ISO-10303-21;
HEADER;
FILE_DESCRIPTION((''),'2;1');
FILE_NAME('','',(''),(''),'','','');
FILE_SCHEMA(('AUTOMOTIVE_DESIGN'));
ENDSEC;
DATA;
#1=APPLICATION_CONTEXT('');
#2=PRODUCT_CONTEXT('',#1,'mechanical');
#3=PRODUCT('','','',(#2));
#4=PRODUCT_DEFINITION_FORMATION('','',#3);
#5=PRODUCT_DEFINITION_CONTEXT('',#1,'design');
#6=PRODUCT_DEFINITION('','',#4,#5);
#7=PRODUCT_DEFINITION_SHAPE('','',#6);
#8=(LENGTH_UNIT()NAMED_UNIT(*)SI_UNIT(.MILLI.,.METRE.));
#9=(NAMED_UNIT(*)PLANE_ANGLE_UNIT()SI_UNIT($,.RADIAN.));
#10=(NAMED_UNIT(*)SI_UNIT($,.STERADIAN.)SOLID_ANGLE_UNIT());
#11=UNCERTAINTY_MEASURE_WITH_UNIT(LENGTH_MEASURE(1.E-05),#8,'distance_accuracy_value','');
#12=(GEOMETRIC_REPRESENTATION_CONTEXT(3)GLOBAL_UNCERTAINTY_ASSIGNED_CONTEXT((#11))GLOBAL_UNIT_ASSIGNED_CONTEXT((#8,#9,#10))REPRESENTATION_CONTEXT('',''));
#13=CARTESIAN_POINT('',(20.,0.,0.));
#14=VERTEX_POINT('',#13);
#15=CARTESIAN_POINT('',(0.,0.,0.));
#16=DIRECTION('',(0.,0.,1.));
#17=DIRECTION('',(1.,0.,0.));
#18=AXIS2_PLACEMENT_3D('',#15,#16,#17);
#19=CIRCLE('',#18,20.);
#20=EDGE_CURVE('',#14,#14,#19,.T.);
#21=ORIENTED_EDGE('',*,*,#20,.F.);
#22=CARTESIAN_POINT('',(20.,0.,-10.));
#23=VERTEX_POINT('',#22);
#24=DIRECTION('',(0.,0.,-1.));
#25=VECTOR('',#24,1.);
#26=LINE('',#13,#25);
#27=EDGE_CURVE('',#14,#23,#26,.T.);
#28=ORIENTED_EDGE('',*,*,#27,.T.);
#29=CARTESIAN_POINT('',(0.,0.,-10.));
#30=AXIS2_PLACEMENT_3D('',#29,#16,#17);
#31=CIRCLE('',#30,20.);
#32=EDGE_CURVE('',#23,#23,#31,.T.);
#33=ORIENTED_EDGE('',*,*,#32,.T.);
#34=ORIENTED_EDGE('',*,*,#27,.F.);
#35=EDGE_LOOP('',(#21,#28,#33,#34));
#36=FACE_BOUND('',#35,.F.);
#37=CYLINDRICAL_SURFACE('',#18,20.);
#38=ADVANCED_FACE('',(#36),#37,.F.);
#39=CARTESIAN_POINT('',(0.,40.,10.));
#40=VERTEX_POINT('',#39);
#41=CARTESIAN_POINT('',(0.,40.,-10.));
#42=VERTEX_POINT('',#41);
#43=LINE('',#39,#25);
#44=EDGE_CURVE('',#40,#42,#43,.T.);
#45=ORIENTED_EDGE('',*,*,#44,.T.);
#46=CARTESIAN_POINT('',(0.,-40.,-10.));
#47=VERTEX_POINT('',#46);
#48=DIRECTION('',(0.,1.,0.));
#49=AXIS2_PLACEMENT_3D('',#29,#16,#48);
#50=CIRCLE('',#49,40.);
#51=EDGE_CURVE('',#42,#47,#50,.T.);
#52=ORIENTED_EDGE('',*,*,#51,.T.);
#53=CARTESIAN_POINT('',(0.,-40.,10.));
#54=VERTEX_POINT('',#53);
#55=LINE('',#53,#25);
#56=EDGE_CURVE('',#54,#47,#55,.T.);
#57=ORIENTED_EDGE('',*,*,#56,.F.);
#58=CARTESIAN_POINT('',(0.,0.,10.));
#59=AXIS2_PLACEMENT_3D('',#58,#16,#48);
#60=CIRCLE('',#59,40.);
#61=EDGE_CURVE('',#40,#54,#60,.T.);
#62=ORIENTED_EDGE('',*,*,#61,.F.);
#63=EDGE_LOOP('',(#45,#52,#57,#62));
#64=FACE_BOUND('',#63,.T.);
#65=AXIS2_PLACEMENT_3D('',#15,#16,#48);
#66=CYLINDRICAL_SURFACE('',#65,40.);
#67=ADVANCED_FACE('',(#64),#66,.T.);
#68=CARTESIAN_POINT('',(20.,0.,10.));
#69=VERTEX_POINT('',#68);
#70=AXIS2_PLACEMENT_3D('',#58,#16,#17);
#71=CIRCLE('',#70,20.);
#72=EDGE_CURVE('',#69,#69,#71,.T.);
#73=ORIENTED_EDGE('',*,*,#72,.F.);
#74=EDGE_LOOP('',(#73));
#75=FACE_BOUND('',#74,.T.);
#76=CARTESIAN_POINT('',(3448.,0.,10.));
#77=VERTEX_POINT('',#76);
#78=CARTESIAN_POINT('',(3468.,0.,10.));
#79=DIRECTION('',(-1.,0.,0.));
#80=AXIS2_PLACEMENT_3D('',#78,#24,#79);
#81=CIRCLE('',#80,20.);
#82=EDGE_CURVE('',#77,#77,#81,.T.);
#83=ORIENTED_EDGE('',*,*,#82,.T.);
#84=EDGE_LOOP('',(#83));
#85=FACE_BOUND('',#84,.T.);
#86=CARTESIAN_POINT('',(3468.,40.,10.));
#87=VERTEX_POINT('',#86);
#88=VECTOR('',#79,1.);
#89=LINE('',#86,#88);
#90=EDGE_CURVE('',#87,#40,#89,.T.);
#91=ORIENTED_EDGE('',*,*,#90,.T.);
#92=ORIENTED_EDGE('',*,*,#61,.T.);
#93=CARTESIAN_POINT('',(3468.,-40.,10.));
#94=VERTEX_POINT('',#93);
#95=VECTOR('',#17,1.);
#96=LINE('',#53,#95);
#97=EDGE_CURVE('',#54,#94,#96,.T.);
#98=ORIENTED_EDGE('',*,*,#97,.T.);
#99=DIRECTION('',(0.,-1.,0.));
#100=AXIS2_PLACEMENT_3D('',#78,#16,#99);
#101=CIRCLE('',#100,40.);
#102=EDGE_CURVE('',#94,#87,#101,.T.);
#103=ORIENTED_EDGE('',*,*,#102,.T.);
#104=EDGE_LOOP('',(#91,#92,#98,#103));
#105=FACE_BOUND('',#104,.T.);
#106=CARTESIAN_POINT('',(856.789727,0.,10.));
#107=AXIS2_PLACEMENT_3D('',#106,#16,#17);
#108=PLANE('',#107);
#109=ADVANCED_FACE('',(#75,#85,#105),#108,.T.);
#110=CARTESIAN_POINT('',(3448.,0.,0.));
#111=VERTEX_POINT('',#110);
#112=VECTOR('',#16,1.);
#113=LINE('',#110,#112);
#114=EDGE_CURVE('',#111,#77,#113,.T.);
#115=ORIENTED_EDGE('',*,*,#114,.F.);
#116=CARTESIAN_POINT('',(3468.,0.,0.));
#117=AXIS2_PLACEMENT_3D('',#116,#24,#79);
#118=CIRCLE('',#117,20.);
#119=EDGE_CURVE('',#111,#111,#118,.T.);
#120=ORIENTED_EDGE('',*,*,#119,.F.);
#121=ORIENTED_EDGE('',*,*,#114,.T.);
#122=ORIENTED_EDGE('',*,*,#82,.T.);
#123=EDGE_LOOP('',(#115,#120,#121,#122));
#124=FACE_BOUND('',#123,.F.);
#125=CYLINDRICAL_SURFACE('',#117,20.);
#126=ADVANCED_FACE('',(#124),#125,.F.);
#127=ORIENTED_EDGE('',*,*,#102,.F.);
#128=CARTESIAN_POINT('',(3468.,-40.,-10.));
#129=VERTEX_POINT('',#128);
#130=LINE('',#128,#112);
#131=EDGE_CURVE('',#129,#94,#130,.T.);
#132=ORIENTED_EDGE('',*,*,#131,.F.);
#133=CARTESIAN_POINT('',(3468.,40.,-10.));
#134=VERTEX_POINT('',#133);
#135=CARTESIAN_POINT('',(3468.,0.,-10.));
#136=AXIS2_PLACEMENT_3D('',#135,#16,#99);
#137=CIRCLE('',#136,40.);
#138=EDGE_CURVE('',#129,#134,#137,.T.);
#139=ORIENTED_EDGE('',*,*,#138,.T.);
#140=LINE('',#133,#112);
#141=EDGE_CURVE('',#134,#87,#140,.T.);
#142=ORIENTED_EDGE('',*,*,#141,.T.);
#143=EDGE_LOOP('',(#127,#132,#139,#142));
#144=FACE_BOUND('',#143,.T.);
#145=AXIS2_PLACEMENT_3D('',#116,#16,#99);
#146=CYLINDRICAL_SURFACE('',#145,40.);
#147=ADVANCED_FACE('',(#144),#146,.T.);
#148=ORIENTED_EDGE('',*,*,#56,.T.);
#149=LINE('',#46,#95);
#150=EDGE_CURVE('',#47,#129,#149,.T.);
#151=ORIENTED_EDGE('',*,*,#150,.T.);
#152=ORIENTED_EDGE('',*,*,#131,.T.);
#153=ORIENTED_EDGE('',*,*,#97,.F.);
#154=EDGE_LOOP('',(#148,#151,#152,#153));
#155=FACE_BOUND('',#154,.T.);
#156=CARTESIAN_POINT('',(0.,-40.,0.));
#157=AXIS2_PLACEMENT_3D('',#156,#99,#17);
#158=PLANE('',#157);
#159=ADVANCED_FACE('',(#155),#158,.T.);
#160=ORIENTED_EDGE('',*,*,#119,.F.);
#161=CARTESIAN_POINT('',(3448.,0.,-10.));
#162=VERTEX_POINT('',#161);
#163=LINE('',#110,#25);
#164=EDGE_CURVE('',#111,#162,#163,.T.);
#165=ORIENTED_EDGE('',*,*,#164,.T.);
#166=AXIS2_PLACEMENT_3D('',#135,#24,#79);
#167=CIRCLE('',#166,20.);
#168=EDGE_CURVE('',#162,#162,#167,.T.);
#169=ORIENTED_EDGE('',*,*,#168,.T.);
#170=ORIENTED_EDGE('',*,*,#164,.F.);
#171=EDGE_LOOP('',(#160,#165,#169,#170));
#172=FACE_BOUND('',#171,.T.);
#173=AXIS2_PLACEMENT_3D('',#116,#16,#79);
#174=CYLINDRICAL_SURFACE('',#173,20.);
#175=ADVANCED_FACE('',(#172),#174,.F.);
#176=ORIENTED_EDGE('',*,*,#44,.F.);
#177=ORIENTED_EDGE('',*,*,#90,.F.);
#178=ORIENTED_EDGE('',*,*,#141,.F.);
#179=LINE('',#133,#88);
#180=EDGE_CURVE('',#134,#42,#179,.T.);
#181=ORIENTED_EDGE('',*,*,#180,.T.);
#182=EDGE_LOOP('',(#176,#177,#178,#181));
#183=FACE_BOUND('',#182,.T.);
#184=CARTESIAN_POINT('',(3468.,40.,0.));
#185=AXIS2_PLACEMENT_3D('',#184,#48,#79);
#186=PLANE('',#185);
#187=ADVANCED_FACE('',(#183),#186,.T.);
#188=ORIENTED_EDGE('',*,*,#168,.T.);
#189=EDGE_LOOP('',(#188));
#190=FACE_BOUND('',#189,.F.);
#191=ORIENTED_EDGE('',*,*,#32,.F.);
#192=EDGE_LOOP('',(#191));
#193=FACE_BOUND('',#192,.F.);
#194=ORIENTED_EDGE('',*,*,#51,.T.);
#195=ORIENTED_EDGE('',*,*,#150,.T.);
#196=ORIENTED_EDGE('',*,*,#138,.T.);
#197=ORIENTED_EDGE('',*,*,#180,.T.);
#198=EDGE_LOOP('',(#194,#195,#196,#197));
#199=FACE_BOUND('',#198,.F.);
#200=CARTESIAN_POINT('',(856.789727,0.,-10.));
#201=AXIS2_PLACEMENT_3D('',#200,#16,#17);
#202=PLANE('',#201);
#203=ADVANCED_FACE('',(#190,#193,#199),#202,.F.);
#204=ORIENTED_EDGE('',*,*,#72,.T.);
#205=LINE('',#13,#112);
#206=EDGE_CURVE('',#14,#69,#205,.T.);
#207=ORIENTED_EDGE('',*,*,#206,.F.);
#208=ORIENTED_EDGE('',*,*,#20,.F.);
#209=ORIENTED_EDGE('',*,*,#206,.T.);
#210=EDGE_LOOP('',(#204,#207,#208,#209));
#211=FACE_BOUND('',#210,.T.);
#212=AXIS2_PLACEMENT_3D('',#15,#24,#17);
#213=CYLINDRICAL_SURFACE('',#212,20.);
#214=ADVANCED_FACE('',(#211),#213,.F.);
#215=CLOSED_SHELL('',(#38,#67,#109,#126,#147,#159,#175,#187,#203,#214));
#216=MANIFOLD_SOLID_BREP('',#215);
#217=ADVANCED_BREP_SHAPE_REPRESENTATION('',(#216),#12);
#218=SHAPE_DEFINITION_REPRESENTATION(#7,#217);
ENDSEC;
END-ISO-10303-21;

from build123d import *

# Parameters (mm, degrees)
F0_R     = 20
F1_DEPTH = 10


with BuildPart() as f1:
    # F0 (on Top) → F1 (new body, symmetric)
    with BuildSketch(Plane.XY):
        with BuildLine():
            Line((1734, -40), (1734, 0))
            Line((1734, 0), (1734, 40))
            Line((1734, 40), (0, 40))
            ThreePointArc((0, 40), (-40, 0), (0, -40))
            Line((0, -40), (1734, -40))
        make_face()
        Circle(F0_R, mode=Mode.SUBTRACT)
        with BuildLine():
            Line((1734, 40), (1734, 0))
            Line((1734, 0), (1734, -40))
            Line((1734, -40), (3468, -40))
            ThreePointArc((3468, -40), (3508, 0), (3468, 40))
            Line((3468, 40), (1734, 40))
        make_face()
        with BuildLine():
            ThreePointArc((3488, 0), (3468, -20), (3448, 0))
            ThreePointArc((3448, 0), (3468, 20), (3488, 0))
        make_face(mode=Mode.SUBTRACT)
    extrude(amount=F1_DEPTH, both=True)


solid = f1.part
